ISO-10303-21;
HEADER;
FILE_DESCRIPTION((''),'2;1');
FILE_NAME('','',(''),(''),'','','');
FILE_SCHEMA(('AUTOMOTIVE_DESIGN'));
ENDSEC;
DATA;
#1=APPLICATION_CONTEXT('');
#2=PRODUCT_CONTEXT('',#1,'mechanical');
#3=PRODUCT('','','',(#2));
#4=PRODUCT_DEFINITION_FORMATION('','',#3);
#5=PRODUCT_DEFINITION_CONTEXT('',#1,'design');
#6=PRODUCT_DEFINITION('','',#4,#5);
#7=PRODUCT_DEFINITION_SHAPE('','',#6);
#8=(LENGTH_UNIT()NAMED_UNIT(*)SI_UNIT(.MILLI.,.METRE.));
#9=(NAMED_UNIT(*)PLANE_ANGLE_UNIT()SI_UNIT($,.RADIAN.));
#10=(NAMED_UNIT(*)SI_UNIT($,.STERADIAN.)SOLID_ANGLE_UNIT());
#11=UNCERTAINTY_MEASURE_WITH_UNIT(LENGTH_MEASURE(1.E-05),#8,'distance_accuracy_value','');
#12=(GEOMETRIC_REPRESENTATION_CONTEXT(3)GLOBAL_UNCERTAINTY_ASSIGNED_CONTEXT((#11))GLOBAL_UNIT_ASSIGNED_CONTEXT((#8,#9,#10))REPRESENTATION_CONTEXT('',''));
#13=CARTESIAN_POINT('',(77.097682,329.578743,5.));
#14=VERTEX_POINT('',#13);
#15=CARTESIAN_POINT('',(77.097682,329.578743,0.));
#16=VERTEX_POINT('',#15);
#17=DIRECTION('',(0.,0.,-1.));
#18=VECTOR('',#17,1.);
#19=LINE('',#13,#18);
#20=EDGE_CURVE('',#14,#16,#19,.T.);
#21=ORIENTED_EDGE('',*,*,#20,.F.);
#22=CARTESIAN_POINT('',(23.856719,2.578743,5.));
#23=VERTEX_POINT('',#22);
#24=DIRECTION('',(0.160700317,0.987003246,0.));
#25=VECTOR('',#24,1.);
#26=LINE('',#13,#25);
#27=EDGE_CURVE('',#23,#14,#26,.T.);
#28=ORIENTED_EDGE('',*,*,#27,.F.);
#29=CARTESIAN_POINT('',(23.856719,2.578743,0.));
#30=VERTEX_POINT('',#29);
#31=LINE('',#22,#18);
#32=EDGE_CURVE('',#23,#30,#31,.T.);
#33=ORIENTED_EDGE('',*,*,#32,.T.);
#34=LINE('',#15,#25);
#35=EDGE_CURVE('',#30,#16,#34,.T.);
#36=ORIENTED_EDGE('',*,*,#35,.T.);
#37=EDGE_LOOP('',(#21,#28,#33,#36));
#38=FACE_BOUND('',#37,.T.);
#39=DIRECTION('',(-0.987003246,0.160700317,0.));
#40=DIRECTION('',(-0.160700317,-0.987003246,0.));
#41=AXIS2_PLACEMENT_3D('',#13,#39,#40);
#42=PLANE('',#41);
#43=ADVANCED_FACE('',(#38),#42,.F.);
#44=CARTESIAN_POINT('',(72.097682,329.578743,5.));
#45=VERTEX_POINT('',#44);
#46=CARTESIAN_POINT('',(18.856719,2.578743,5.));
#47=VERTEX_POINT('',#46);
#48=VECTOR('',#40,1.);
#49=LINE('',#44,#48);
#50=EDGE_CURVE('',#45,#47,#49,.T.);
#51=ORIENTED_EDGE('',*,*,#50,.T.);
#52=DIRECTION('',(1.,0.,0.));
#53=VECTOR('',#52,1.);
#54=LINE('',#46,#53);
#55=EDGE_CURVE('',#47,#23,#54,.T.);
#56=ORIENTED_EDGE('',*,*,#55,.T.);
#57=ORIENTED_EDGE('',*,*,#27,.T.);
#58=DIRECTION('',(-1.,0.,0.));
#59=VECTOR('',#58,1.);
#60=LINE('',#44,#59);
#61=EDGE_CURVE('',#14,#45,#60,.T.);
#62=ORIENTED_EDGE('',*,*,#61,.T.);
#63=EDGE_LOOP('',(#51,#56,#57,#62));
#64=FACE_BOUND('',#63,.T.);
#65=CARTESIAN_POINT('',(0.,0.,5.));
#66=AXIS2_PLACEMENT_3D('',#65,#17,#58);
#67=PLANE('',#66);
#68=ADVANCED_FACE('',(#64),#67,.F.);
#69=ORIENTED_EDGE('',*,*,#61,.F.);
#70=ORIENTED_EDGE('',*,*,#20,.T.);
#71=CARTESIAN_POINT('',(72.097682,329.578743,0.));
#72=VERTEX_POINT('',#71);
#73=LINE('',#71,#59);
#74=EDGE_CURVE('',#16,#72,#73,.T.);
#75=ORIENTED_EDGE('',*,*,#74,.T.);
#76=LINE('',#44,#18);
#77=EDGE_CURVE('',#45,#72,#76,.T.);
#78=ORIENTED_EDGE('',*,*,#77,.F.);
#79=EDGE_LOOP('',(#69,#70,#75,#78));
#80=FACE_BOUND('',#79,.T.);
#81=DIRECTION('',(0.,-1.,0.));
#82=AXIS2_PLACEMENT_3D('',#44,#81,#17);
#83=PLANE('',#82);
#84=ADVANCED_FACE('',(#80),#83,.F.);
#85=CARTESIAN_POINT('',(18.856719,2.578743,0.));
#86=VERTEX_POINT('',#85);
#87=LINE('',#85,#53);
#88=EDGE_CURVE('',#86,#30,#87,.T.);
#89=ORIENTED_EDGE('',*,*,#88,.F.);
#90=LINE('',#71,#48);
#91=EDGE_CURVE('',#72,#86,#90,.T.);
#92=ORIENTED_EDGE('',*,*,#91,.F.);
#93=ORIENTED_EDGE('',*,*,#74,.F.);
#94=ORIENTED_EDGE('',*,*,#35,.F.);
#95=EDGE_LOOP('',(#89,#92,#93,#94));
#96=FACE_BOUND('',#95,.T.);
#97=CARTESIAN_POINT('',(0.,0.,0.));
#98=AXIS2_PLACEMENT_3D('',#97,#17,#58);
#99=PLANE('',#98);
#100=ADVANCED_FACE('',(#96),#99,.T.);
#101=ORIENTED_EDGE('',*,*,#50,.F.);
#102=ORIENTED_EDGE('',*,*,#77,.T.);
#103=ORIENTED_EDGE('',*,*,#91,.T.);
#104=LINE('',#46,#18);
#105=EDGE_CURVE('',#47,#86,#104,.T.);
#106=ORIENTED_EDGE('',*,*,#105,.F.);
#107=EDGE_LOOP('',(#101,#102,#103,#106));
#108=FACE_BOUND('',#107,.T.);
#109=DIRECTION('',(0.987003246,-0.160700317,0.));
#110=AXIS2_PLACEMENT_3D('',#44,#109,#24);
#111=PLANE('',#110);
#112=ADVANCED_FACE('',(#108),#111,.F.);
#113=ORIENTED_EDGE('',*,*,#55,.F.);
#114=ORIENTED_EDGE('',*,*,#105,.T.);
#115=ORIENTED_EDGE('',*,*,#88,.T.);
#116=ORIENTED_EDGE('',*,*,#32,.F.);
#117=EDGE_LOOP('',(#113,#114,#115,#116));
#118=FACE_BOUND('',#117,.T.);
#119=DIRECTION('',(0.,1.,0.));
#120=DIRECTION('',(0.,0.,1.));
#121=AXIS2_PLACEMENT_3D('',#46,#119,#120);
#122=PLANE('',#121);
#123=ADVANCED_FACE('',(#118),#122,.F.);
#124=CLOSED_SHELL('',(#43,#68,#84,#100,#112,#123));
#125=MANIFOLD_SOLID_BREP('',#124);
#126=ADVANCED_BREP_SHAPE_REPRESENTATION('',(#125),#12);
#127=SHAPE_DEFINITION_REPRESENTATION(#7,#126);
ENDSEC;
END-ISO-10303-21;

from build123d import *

# Parameters (mm, degrees)
EXTRUDE_1_DEPTH = 5


with BuildPart() as part:
    # Model → 凸台-拉伸1 (new body)
    with BuildSketch(Plane.XY):
        Polygon((72.09768244, 329.578743165), (18.856719225, 2.578743165), (23.856719225, 2.578743165), (77.09768244, 329.578743165), align=None)
    extrude(amount=EXTRUDE_1_DEPTH)


solid = part.part
